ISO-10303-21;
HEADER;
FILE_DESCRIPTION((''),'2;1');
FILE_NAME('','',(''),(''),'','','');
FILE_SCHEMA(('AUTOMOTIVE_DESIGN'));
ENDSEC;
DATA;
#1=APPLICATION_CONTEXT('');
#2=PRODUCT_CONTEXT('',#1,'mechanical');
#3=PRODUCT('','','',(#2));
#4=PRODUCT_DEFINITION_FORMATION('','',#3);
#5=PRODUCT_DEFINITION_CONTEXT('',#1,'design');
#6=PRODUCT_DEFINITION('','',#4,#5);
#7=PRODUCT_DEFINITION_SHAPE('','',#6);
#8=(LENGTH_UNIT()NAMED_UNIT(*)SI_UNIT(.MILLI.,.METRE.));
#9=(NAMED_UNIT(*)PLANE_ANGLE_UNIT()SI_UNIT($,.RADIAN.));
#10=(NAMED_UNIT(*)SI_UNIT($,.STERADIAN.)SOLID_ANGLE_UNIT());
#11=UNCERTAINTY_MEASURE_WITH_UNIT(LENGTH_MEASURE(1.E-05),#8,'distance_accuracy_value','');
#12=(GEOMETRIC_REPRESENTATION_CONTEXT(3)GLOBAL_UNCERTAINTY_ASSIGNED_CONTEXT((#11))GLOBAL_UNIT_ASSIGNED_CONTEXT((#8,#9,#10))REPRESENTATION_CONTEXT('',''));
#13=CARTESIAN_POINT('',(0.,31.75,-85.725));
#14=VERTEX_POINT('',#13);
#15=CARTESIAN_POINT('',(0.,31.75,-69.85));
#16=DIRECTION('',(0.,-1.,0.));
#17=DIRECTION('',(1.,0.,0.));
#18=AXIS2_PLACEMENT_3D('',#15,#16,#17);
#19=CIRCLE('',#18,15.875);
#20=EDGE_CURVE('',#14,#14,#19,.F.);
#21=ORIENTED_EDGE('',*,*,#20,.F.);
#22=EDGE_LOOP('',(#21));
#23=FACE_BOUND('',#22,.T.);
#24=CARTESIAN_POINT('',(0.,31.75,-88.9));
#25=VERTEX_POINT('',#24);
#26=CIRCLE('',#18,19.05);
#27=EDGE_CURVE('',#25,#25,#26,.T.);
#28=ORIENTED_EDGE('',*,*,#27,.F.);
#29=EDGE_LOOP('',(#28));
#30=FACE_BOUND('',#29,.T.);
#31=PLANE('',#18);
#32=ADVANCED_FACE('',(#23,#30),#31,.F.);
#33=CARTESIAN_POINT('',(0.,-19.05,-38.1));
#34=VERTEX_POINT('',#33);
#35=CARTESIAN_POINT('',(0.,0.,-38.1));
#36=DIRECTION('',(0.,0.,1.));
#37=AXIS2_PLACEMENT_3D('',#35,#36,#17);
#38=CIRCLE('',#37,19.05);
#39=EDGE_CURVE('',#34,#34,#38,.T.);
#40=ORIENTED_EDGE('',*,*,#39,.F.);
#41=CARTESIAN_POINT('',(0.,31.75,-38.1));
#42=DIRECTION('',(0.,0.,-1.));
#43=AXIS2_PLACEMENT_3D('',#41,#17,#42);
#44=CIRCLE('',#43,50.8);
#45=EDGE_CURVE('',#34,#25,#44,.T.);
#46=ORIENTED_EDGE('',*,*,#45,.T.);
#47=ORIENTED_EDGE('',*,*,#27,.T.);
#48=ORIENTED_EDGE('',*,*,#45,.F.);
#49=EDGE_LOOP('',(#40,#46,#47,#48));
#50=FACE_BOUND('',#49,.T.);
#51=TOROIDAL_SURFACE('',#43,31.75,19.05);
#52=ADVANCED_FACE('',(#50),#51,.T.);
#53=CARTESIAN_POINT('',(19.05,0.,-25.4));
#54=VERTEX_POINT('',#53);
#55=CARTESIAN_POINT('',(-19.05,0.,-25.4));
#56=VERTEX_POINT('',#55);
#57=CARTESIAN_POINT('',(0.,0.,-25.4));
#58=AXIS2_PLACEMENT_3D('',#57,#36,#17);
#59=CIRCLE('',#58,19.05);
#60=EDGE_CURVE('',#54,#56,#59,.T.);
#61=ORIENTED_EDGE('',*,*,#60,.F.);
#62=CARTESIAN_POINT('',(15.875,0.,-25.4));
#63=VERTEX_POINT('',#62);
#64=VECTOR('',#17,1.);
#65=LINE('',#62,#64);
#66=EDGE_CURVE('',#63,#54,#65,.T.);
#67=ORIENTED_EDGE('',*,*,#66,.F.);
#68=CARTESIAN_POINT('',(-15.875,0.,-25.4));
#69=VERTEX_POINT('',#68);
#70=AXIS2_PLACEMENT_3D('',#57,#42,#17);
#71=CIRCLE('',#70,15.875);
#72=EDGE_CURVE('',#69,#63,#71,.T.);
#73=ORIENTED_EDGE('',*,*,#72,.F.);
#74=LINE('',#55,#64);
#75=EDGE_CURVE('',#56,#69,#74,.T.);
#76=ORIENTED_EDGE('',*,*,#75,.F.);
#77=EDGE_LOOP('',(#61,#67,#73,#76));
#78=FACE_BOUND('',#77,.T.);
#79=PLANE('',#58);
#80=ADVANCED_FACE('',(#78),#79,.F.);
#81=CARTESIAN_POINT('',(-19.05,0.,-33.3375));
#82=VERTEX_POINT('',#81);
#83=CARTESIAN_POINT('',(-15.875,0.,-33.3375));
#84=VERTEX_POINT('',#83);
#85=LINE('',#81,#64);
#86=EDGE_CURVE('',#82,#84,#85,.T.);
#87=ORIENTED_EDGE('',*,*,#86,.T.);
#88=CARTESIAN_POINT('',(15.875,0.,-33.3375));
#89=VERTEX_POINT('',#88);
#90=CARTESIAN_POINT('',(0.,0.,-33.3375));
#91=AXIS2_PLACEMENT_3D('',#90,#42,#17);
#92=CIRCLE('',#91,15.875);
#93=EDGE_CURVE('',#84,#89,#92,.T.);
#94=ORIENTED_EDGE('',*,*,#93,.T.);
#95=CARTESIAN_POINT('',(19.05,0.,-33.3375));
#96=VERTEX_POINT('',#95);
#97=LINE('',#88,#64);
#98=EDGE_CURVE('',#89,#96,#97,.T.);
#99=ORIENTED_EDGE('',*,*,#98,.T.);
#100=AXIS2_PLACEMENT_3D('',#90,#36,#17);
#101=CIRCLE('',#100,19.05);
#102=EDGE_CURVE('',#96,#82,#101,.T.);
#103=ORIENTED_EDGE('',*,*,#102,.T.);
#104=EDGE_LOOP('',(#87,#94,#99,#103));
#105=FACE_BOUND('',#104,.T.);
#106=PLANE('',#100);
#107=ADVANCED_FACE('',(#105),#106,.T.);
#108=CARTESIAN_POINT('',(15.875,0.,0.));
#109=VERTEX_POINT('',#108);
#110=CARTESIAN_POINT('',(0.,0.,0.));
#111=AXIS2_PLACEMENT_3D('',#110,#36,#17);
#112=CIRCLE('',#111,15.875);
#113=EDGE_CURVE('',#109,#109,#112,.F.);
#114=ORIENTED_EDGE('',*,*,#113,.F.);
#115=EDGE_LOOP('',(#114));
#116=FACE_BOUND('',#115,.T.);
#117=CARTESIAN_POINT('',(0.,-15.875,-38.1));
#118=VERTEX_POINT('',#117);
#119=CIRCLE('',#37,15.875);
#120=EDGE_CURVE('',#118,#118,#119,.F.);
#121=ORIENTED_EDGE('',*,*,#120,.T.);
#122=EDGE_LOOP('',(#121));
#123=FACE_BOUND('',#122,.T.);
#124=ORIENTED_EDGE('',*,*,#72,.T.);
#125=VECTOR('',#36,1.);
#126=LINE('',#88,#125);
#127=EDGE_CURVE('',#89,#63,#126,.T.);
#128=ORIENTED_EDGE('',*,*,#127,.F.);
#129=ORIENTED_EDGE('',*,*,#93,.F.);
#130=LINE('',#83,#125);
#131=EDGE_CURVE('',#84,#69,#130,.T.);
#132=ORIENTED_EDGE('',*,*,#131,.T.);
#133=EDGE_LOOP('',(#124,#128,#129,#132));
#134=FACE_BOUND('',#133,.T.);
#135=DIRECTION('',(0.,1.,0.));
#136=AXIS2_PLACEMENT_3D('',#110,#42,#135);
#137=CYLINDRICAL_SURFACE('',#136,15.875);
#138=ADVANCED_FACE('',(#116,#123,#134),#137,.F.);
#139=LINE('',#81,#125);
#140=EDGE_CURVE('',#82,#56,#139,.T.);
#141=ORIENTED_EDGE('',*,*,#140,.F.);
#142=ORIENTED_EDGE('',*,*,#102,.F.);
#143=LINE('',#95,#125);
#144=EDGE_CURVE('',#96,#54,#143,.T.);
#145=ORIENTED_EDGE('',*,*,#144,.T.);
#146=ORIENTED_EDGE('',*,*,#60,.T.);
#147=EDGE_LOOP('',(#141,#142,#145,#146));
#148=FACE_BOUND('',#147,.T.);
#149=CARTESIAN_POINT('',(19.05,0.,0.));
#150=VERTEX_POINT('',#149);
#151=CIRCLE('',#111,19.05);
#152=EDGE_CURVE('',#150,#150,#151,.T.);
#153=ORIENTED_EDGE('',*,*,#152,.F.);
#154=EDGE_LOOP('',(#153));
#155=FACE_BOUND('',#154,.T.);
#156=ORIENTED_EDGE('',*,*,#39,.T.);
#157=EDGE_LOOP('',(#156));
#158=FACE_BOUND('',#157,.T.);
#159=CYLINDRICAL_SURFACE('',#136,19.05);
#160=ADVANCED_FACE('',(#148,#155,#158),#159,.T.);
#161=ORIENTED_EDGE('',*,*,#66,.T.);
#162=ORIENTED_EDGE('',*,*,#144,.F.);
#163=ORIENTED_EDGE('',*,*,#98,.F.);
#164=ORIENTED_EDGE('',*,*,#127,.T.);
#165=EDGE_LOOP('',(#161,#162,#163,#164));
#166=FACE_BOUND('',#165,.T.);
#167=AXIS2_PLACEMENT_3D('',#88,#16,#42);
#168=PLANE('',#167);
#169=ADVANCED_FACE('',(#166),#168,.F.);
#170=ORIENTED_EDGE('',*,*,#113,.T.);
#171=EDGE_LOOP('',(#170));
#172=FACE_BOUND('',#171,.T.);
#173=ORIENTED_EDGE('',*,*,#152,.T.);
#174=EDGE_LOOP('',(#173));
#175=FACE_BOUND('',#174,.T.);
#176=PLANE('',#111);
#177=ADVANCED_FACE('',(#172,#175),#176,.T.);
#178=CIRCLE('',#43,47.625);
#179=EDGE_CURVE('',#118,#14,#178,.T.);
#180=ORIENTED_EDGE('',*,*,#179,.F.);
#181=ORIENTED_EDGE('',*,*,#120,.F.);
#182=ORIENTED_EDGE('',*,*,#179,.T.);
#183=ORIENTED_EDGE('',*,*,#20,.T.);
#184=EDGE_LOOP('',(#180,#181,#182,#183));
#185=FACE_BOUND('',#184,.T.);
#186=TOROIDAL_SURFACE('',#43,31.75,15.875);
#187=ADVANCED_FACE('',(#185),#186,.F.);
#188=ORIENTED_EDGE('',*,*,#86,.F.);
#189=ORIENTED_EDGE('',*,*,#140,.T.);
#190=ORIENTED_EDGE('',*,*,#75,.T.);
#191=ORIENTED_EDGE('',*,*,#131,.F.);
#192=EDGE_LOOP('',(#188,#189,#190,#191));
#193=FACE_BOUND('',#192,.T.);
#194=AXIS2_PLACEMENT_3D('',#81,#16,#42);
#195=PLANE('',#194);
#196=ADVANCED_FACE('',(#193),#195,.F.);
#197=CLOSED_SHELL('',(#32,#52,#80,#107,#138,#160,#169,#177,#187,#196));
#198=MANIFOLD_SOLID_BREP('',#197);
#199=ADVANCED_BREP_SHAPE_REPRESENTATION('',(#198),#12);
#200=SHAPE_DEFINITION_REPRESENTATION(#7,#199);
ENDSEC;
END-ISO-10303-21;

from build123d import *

# Parameters (mm, degrees)
SKETCH1_R          = 19.05
SKETCH1_R_2        = 15.875
CUT_EXTRUDE1_START = -7.9375
CUT_EXTRUDE1_DEPTH = 7.9375


with BuildPart() as part:
    # Sweep1: sweep along a path in Sketch2
    with BuildLine(Plane(origin=(0, 0, 0), x_dir=(0, 0, -1), z_dir=(1, 0, 0))) as sweep1_path:
        Line((0, 0), (38.1, 0))
        ThreePointArc((38.1, 0), (60.550640303, 9.299359697), (69.85, 31.75))
    # Sketch1 → Sweep1 (sweep)
    with BuildSketch(Plane.XY):
        Circle(SKETCH1_R)
        Circle(SKETCH1_R_2, mode=Mode.SUBTRACT)
    sweep(path=sweep1_path.line)

    # Sketch3 → Cut-Extrude1 (cut)
    with BuildSketch(Plane.XY.offset(-25.4).offset(CUT_EXTRUDE1_START)):
        with BuildLine():
            Line((-19.05, 0), (-15.875, 0))
            ThreePointArc((-15.875, 0), (0, 15.875), (15.875, 0))
            Line((15.875, 0), (19.05, 0))
            ThreePointArc((19.05, 0), (0, 19.05), (-19.05, 0))
        make_face()
    extrude(amount=CUT_EXTRUDE1_DEPTH, mode=Mode.SUBTRACT)


solid = part.part
